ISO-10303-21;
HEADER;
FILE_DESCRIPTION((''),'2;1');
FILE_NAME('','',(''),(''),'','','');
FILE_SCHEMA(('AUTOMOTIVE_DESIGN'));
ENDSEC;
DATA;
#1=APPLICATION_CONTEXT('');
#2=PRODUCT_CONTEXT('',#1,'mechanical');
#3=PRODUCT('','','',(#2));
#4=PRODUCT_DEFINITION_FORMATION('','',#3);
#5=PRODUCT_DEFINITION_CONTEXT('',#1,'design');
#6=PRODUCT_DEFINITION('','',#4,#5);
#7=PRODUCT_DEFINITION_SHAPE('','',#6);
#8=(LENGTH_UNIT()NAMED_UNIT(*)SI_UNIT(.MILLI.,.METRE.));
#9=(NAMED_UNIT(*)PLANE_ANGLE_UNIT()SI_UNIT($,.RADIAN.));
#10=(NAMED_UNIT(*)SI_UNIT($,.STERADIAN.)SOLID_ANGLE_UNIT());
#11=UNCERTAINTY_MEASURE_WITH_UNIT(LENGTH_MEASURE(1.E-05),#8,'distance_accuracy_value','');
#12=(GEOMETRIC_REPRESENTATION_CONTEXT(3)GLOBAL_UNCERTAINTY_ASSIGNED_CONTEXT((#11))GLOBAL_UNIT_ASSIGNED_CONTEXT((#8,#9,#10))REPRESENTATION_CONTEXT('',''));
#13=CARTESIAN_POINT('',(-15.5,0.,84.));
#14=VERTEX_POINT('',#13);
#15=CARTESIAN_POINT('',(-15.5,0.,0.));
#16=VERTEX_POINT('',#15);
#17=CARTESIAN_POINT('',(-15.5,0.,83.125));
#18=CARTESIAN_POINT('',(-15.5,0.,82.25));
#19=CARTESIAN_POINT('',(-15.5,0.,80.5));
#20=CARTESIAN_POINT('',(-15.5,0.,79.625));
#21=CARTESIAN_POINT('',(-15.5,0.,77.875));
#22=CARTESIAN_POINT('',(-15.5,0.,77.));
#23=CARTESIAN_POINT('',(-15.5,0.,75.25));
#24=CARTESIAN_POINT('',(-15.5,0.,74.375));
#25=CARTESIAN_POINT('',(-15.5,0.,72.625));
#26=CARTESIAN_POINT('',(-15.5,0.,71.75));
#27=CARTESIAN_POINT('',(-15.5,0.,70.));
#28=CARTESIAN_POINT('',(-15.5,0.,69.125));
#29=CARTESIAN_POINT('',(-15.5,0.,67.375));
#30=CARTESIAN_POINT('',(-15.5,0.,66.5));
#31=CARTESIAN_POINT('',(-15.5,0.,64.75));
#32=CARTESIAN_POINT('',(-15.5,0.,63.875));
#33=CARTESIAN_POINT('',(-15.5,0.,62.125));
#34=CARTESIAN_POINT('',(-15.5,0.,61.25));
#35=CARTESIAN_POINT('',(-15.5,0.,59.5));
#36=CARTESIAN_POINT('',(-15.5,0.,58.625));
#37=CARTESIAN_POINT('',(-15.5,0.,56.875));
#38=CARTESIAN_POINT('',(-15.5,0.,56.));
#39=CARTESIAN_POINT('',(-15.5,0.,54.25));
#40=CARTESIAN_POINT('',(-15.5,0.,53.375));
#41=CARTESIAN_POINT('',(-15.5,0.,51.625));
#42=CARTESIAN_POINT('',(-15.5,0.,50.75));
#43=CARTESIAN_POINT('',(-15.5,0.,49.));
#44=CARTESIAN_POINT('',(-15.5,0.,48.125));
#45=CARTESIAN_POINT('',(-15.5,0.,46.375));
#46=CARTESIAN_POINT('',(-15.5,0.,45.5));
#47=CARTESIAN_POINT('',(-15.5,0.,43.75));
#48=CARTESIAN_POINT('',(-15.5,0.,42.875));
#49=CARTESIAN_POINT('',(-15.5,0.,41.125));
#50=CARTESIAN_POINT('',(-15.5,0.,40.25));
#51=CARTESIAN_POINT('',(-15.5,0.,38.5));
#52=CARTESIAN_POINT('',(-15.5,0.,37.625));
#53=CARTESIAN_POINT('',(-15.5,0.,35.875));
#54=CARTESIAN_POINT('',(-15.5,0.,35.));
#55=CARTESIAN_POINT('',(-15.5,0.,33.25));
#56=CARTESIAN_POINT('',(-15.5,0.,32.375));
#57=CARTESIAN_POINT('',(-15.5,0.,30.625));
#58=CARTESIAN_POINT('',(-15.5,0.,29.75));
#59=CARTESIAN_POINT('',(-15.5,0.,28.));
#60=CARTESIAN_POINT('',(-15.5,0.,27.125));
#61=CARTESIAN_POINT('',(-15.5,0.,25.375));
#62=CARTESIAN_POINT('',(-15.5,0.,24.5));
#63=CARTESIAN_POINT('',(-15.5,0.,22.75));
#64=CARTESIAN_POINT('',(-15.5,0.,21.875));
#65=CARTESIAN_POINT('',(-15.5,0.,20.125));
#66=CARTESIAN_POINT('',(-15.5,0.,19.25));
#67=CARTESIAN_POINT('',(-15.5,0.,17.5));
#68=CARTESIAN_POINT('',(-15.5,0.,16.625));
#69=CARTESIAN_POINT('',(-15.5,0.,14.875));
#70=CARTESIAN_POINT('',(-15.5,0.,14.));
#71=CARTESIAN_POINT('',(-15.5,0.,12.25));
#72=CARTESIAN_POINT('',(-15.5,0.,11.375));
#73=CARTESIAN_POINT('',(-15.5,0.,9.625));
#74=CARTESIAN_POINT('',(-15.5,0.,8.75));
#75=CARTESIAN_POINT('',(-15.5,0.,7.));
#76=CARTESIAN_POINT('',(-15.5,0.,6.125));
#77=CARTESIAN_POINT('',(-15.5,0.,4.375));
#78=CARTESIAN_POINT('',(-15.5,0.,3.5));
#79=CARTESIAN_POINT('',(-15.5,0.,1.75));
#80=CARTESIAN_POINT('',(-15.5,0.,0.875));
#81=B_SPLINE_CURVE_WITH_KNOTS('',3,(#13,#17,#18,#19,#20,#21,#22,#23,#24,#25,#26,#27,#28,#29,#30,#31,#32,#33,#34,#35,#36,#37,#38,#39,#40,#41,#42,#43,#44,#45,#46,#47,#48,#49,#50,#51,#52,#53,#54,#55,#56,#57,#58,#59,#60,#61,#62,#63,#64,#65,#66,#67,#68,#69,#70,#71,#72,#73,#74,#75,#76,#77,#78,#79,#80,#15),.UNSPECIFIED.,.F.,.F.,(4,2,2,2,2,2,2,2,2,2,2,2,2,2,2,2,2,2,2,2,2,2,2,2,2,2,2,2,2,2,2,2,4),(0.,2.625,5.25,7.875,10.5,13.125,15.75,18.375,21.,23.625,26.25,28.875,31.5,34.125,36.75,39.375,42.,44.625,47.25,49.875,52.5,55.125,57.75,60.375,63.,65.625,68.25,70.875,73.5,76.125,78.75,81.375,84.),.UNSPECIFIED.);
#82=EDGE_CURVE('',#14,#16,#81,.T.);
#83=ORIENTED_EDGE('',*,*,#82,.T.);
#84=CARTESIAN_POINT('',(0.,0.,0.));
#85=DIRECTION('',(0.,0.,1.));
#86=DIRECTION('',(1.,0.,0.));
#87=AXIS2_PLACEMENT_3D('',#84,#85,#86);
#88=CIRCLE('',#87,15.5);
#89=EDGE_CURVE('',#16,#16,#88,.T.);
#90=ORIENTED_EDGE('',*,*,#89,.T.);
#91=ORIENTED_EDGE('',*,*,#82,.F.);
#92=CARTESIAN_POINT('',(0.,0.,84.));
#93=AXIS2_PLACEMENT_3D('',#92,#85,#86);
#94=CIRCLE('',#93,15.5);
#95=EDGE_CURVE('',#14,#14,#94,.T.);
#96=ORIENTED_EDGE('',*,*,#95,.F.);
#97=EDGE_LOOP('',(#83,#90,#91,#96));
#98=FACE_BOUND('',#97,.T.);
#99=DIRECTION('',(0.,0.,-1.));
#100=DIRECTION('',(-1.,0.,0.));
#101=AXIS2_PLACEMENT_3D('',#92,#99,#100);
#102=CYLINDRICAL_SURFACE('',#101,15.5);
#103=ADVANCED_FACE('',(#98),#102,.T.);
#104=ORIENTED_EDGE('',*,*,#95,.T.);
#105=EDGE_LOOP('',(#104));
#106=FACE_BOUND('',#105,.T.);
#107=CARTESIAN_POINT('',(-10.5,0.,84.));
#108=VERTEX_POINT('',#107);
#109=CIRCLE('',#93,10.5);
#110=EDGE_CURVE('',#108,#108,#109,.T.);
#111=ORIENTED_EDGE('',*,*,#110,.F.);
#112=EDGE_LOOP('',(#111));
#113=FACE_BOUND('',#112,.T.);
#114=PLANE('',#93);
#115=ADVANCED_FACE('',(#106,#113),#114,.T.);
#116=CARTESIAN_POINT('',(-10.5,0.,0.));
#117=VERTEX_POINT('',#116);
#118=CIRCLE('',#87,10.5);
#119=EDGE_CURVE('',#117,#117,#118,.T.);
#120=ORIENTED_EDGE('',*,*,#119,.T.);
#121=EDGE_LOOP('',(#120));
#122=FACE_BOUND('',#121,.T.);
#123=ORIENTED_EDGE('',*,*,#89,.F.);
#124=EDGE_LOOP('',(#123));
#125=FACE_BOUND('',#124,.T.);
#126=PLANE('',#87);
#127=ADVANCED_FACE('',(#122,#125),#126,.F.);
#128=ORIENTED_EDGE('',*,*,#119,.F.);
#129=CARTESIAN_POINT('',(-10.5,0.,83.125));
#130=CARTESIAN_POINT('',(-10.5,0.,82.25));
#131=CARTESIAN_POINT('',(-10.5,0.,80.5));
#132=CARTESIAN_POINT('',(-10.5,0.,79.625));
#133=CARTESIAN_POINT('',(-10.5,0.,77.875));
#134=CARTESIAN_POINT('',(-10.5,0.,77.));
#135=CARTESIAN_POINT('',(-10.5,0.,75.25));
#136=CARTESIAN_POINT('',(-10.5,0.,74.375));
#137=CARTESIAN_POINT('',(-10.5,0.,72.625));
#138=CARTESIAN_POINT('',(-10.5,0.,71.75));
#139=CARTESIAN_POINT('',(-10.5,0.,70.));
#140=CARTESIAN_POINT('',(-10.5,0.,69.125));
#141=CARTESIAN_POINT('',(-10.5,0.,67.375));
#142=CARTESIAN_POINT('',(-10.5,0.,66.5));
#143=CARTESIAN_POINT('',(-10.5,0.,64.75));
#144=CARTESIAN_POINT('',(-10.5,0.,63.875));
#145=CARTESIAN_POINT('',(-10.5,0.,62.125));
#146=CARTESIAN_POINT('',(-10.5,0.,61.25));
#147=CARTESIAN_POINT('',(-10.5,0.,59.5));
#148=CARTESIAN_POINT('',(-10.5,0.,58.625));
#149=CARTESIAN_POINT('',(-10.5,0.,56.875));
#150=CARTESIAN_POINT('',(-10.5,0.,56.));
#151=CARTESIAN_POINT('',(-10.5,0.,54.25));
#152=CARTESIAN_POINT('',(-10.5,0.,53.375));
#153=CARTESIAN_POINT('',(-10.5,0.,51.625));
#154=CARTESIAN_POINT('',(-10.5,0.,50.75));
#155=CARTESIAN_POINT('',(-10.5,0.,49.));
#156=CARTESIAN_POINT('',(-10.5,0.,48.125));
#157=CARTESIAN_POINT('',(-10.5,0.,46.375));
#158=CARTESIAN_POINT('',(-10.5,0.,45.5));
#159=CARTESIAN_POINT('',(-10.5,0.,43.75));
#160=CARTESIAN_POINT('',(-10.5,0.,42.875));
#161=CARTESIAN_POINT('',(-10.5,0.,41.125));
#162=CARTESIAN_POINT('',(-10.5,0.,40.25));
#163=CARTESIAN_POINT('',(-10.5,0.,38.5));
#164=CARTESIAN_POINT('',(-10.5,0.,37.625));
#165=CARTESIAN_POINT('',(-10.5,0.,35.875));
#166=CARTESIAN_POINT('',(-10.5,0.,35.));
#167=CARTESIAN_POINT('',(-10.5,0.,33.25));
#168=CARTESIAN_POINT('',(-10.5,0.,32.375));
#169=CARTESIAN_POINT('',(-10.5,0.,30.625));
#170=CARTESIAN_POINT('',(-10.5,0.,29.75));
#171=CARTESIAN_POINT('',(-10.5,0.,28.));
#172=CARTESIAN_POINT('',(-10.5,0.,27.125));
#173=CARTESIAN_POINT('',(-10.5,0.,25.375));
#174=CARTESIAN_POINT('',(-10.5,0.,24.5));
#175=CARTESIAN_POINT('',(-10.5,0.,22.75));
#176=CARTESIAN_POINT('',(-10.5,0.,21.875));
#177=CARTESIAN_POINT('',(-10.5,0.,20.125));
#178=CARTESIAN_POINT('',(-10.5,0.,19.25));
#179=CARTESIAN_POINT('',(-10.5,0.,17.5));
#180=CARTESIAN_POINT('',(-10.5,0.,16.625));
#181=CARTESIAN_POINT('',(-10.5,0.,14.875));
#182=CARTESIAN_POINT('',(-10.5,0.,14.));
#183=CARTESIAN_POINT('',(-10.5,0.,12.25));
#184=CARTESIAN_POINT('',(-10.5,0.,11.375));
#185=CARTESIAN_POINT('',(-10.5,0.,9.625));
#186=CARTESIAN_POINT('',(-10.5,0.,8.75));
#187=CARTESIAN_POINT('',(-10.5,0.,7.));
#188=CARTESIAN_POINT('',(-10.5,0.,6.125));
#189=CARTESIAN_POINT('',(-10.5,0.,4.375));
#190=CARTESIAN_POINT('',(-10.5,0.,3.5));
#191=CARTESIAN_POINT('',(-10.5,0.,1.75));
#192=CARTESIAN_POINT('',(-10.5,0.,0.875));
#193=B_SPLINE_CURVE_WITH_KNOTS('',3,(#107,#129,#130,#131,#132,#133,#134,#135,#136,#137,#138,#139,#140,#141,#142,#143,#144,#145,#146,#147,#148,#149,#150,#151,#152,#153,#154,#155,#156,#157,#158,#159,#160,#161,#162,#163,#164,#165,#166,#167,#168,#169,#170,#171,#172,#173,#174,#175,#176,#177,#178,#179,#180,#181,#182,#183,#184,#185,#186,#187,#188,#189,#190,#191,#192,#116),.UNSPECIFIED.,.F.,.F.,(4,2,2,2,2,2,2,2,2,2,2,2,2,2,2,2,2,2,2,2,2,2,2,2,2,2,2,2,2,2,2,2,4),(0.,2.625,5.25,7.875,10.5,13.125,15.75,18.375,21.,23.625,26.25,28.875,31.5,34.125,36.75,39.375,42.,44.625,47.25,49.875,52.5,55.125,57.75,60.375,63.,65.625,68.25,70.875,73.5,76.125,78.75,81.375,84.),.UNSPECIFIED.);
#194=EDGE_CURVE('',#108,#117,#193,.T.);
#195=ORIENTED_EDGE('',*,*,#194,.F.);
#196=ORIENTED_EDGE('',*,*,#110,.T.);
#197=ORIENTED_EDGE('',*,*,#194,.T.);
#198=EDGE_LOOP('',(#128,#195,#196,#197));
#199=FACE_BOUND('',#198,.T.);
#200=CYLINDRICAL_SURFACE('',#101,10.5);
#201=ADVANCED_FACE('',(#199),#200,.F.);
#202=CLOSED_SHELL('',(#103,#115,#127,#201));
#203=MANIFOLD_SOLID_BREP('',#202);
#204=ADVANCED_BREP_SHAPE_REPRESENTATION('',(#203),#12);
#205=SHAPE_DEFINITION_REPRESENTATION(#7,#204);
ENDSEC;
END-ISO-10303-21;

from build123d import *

# Parameters (mm, degrees)
SKETCH_1_R      = 15.5
SKETCH_1_R_2    = 10.5
EXTRUDE_1_DEPTH = 84


with BuildPart() as part:
    # Эскиз1 → Бобышка-Вытянуть1 (new body)
    with BuildSketch(Plane.XY):
        with Locations(Location((0, 0, 0), (0, 0, 180))):
            Circle(SKETCH_1_R)
        with Locations(Location((0, 0, 0), (0, 0, 180))):
            Circle(SKETCH_1_R_2, mode=Mode.SUBTRACT)
    extrude(amount=EXTRUDE_1_DEPTH)


solid = part.part
